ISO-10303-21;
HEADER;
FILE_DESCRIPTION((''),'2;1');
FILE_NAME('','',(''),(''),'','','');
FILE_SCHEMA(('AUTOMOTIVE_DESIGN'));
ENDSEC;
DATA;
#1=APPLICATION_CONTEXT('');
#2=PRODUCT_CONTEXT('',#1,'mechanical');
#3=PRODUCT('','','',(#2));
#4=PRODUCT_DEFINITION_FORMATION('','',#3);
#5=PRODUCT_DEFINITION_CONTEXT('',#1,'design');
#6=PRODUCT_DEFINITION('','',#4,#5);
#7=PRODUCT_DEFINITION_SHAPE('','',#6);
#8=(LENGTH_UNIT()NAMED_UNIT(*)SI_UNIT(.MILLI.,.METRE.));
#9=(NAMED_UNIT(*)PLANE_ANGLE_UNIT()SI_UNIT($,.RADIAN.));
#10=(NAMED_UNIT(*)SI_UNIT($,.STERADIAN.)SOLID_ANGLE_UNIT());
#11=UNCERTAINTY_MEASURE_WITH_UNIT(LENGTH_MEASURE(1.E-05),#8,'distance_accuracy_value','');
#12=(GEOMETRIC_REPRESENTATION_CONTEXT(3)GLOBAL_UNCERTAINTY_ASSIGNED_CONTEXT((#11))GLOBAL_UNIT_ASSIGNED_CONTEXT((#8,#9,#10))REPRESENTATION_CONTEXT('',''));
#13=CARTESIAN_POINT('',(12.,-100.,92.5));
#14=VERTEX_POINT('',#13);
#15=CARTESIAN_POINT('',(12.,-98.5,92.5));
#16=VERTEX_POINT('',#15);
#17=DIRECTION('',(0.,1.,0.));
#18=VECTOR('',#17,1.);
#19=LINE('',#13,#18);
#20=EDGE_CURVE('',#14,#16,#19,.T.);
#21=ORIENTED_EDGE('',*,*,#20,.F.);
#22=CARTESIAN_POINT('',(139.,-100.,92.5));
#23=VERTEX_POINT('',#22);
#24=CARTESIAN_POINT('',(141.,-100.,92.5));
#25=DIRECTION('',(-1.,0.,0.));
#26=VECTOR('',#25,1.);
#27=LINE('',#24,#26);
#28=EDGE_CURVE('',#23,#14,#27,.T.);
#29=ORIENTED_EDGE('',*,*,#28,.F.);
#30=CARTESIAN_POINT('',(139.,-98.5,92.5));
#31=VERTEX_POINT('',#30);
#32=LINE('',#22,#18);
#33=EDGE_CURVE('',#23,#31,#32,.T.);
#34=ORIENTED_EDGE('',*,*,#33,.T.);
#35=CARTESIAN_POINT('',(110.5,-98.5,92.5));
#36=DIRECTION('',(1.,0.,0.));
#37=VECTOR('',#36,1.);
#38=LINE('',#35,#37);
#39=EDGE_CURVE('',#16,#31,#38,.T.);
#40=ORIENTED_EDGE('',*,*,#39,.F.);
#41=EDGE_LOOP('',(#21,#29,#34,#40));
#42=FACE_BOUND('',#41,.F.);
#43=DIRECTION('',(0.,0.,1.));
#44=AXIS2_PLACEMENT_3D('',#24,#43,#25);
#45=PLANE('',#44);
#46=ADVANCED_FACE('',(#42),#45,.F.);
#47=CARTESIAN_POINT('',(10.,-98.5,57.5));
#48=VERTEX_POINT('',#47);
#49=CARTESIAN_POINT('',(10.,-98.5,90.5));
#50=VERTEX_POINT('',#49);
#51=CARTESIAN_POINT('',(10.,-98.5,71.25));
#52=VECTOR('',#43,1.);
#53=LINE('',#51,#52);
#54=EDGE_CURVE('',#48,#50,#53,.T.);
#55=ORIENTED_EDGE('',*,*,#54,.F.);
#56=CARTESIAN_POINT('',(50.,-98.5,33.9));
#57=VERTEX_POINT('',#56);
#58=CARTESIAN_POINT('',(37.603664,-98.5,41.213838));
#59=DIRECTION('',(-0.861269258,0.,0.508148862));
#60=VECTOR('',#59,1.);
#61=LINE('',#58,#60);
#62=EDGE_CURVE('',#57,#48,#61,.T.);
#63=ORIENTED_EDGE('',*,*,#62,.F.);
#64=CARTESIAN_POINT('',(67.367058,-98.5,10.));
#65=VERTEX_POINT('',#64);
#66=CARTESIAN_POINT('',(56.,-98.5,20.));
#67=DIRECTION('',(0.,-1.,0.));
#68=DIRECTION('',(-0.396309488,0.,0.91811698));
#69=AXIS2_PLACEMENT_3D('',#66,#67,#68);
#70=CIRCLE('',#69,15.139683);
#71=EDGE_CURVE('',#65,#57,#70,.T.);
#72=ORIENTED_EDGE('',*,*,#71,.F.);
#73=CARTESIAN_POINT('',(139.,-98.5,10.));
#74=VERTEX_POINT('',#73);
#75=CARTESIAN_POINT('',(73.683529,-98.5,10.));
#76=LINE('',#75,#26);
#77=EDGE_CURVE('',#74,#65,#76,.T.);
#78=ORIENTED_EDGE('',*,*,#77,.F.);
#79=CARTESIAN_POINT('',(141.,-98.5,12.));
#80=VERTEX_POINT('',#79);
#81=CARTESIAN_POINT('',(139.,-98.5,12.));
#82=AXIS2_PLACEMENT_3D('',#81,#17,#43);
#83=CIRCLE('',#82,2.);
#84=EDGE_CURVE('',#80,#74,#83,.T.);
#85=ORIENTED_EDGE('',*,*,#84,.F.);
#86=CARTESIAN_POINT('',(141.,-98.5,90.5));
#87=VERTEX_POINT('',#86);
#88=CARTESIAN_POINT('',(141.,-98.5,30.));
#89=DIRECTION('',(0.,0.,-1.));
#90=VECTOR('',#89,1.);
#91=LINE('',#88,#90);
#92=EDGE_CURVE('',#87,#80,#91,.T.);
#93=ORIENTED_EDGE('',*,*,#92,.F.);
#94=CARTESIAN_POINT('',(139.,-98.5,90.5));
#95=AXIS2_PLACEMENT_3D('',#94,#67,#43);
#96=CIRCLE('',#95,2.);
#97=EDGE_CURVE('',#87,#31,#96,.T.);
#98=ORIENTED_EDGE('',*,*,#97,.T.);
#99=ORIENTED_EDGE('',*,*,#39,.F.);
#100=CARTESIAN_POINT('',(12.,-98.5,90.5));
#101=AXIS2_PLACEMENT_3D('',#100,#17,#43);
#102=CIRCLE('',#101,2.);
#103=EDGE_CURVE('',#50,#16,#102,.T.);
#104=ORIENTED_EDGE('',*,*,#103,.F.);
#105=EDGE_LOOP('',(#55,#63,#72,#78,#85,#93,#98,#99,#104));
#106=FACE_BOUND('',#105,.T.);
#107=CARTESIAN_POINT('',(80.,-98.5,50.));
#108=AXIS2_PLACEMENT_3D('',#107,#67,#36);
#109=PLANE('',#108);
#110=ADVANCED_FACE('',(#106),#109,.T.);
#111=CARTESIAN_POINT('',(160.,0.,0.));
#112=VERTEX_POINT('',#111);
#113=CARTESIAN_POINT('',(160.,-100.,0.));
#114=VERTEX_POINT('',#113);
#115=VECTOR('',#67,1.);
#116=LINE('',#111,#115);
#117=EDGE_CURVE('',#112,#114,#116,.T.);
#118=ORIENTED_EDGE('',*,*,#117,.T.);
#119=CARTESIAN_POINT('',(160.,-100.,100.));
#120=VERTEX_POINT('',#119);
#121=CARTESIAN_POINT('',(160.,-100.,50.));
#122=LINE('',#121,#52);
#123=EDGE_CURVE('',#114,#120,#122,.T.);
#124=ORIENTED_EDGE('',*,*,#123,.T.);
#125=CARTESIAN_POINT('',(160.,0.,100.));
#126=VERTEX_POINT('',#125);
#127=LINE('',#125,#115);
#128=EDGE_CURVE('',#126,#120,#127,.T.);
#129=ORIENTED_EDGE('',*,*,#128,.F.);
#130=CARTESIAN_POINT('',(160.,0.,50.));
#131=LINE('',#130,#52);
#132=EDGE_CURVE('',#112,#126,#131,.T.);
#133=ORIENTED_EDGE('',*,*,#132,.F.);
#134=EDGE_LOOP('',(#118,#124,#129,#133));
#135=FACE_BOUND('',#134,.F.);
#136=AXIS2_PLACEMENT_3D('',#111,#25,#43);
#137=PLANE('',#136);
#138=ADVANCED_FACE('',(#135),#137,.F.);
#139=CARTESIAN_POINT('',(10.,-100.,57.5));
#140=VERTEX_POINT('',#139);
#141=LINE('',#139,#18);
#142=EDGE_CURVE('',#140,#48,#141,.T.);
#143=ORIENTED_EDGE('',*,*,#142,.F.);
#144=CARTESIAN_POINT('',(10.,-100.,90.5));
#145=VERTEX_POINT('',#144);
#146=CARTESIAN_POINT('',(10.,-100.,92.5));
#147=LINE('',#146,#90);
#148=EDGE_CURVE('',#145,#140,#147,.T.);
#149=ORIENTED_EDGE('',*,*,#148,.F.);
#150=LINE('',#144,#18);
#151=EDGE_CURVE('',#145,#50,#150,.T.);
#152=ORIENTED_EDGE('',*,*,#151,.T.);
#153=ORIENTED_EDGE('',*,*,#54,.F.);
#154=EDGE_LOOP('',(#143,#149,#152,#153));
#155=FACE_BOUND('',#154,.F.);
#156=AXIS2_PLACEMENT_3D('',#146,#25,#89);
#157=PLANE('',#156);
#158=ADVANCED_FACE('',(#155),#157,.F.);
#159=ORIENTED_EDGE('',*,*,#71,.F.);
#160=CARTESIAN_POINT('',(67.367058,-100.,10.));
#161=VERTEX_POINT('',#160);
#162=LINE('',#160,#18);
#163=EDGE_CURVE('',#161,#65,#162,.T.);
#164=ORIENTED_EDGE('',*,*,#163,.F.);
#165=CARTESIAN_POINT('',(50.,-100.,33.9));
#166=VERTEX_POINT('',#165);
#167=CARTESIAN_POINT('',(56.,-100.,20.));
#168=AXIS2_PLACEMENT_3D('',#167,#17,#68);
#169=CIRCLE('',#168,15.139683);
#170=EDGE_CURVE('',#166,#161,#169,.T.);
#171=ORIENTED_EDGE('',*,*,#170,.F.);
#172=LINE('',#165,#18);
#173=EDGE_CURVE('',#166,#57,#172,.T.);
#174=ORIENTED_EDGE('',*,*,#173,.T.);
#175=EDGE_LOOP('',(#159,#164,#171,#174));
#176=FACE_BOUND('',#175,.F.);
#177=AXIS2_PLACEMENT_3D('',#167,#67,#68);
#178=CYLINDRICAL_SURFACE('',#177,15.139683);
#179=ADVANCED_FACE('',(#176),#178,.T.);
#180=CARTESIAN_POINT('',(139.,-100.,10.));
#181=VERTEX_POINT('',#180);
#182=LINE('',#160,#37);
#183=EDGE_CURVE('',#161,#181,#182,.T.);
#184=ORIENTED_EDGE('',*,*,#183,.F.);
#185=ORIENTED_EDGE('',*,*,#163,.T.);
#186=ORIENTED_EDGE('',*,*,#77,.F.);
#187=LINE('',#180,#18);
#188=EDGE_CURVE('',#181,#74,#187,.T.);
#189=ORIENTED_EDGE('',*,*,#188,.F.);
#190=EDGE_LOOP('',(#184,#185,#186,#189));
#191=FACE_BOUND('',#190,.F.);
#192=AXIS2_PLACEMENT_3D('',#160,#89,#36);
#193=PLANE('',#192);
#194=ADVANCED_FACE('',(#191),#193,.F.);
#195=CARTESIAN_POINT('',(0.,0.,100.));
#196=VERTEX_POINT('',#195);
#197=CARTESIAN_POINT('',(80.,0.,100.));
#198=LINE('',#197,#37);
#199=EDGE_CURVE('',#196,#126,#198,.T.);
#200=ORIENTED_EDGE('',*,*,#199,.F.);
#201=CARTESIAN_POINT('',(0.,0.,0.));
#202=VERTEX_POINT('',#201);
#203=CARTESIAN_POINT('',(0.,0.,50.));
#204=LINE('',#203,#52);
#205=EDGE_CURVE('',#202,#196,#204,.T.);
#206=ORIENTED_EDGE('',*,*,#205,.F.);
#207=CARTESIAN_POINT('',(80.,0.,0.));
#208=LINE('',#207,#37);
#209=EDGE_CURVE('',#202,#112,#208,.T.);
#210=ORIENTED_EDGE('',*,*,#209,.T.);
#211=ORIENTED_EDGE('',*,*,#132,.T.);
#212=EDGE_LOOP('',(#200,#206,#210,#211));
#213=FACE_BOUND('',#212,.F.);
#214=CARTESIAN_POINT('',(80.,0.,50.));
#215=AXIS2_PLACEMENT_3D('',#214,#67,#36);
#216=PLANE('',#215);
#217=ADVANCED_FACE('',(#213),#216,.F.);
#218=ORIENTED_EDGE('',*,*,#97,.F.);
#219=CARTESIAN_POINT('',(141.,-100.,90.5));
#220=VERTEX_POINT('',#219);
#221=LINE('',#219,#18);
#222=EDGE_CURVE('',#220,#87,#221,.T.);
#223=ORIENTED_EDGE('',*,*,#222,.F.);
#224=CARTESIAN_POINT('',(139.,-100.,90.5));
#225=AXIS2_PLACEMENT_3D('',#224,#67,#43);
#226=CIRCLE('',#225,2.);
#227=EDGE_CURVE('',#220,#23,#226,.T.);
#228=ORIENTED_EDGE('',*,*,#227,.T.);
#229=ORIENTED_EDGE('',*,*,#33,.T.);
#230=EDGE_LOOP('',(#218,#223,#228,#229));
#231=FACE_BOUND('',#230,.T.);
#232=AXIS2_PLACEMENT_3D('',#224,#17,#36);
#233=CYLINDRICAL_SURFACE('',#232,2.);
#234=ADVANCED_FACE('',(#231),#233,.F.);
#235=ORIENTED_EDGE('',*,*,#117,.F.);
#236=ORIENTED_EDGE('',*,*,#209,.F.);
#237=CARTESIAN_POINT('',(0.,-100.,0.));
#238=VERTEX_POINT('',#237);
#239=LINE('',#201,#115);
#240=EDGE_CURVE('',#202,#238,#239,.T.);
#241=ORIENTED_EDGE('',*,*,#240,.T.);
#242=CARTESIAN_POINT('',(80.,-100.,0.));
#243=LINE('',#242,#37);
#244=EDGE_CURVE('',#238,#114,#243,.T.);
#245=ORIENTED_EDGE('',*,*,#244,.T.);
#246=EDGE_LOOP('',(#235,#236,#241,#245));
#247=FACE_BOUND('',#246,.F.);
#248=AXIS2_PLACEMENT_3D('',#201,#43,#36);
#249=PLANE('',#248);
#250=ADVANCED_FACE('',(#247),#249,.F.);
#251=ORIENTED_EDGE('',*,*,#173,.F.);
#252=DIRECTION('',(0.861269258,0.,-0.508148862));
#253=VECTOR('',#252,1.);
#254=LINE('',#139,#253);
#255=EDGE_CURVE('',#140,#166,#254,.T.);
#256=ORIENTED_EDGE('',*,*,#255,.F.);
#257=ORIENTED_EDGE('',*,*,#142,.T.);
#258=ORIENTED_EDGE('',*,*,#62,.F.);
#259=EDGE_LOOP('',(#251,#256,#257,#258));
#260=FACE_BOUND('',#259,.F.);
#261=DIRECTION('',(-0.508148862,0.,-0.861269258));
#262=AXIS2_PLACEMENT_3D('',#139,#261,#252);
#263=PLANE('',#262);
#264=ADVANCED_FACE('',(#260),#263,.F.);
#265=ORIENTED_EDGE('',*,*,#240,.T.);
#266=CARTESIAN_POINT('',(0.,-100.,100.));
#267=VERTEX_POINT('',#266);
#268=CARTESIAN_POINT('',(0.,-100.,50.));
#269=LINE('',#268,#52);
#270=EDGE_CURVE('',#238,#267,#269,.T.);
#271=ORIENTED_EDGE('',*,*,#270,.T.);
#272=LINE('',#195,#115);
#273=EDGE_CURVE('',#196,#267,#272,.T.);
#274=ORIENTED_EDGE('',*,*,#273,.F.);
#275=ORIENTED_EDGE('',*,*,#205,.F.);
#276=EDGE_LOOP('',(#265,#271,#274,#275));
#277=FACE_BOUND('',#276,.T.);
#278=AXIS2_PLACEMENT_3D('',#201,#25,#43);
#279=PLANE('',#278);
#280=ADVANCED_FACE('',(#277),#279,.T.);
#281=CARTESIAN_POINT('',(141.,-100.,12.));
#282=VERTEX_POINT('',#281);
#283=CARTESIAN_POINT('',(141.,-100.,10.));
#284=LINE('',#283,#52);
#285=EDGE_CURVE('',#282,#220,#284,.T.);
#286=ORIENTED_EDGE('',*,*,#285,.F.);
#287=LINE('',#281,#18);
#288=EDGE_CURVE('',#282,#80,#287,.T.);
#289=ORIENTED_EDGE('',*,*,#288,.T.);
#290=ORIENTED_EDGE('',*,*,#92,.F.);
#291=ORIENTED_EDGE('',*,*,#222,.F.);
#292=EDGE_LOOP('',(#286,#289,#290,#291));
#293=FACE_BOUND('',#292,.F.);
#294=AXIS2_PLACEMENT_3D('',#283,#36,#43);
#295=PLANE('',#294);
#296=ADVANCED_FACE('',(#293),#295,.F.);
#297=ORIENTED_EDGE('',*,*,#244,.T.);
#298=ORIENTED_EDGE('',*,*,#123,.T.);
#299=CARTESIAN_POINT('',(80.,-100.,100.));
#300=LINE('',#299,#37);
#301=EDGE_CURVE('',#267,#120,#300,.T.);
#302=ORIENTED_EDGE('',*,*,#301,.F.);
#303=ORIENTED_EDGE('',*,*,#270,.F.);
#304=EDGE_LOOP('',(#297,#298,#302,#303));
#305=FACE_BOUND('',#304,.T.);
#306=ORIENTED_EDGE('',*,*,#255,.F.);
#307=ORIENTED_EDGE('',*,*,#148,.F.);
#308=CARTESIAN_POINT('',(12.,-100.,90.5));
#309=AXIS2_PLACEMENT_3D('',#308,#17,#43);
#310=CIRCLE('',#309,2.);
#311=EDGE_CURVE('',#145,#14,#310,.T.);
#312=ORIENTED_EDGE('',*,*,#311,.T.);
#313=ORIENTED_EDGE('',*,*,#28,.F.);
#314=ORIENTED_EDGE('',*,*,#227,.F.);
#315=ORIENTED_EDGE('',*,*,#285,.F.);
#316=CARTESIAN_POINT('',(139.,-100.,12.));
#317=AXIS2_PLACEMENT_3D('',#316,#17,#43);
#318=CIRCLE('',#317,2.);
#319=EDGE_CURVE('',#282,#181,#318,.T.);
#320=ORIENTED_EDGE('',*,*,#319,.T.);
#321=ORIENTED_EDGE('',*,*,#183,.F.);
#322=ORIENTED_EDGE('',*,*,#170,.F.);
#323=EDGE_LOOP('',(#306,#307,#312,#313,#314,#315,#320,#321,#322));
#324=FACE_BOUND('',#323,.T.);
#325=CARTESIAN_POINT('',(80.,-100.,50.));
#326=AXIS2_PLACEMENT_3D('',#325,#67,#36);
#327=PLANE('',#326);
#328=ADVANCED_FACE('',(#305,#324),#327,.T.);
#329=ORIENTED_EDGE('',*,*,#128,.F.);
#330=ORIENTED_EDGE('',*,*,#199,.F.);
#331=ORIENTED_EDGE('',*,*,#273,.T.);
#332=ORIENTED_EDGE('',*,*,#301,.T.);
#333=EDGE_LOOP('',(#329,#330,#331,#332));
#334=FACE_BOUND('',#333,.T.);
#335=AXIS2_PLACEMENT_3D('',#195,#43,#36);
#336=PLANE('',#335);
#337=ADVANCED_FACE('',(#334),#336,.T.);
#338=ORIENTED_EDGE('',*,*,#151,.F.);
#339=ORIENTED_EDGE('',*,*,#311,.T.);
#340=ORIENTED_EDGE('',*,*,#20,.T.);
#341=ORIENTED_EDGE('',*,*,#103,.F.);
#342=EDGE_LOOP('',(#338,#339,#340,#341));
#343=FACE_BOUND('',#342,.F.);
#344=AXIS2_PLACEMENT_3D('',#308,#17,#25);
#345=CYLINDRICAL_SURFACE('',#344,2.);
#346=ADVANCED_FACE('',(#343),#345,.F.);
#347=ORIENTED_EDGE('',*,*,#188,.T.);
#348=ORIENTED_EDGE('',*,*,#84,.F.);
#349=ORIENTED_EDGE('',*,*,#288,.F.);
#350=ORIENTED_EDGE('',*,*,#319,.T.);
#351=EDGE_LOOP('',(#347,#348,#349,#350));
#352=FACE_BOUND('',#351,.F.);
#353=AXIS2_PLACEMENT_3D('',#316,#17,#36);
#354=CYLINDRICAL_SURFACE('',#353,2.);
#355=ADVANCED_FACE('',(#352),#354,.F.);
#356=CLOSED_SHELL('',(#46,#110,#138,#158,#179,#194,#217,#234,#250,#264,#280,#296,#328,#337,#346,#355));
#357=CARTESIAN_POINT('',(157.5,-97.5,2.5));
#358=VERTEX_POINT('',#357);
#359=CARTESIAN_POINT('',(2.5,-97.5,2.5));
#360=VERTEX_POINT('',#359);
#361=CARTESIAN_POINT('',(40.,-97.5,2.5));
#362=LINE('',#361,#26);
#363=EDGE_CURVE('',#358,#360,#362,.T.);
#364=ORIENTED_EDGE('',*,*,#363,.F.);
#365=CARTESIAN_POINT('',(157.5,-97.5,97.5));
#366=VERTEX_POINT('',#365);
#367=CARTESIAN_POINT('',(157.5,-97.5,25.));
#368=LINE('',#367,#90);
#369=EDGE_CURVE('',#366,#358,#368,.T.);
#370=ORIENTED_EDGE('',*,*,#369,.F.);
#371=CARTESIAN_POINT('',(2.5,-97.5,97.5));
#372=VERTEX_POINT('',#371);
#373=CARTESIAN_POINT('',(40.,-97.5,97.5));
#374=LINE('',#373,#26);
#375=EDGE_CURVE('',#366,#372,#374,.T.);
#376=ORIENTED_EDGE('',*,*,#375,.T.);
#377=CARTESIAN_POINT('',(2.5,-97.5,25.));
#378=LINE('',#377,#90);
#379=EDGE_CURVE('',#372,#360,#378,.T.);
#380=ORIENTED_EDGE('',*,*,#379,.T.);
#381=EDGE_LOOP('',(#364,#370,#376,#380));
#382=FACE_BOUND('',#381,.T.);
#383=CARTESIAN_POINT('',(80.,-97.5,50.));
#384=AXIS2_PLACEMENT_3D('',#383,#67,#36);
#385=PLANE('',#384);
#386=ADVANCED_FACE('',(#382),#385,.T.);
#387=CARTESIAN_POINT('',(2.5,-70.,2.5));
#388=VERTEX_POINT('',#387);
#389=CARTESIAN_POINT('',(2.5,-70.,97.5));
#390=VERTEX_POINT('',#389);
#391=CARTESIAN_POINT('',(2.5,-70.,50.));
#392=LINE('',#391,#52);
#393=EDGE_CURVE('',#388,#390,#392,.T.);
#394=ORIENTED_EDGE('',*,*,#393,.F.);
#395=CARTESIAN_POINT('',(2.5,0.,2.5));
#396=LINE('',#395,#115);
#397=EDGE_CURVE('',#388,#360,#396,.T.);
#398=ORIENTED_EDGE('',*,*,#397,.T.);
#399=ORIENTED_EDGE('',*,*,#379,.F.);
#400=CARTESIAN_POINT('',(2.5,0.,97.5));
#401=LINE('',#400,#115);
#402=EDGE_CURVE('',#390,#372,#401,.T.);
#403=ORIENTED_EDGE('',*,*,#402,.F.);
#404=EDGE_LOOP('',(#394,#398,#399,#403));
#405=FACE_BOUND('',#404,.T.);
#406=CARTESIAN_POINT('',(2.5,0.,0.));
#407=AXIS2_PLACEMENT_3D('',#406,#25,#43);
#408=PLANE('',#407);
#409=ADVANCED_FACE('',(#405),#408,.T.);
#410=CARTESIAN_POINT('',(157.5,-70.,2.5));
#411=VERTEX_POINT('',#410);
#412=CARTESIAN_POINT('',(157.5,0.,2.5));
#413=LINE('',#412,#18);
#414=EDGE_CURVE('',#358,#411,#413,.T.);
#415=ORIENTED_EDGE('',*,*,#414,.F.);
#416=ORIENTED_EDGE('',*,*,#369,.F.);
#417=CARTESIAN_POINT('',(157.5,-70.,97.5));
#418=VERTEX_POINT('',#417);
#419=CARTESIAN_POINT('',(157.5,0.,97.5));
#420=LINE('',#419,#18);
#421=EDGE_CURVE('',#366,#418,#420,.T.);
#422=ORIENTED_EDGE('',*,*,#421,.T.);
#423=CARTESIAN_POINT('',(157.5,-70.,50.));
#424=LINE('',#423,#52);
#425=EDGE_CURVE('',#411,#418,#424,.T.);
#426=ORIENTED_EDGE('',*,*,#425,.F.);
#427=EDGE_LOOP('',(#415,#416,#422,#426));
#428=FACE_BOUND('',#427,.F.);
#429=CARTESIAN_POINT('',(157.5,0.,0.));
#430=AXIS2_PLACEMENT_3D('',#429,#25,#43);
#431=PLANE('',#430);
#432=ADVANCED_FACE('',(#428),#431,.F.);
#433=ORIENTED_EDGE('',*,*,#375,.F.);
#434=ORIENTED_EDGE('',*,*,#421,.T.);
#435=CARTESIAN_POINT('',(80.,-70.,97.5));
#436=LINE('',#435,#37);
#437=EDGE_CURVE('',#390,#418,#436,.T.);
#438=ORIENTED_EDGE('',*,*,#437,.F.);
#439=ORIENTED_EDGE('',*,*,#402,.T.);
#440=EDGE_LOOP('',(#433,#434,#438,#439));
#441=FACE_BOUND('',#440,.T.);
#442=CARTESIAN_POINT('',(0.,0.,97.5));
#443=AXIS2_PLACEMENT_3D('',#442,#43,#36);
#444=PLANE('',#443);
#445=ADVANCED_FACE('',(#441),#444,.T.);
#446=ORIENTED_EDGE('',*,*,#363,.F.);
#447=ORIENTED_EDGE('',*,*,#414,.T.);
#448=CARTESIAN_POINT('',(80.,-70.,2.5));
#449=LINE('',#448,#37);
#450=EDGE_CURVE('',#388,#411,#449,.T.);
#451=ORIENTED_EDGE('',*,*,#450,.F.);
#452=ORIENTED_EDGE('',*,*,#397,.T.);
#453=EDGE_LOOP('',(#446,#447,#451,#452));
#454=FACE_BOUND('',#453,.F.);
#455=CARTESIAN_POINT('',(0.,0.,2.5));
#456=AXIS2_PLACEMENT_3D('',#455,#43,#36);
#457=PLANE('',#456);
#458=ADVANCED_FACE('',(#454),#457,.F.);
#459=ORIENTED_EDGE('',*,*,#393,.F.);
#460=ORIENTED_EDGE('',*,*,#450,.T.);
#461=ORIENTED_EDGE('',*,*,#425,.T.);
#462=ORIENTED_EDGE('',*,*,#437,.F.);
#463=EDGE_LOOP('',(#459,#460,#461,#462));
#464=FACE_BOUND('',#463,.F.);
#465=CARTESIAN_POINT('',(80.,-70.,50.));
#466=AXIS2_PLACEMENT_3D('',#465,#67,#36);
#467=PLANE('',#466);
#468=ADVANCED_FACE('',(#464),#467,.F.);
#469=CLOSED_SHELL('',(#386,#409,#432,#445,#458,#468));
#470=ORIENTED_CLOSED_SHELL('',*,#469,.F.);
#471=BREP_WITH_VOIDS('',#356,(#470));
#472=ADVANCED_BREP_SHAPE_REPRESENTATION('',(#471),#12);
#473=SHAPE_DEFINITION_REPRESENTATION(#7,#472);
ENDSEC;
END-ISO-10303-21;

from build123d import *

# Parameters (mm, degrees)
F0_W     = 160
F0_H     = 100
F1_DEPTH = 100
F3_DEPTH = 50
F4_T     = -2.5
F5_W     = 155
F5_H     = 95
F6_DEPTH = 67.5
F8_W     = 150
F8_H     = 90
F9_DEPTH = 1
F10_R    = 2


with BuildPart() as f1:
    # F0 (on Front) → F1 (new body)
    with BuildSketch(Plane.XZ):
        with Locations((80, 50)):
            Rectangle(F0_W, F0_H)
    extrude(amount=F1_DEPTH)

    # F2 (on face) → F3 (cut)
    with BuildSketch(Plane.XZ.offset(100)):
        with BuildLine():
            Line((141, 10), (141, 50))
            Line((141, 50), (141, 92.5))
            Line((141, 92.5), (10, 92.5))
            Line((10, 92.5), (10, 57.5))
            Line((10, 57.5), (50, 33.9))
            ThreePointArc((50, 33.9), (68.2476049495, 28.8997849974), (67.3670576668, 10))
            Line((67.3670576668, 10), (80, 10))
            Line((80, 10), (141, 10))
        make_face()
    extrude(amount=-F3_DEPTH, mode=Mode.SUBTRACT)

    # F4
    f4_openings = [f1.faces().sort_by_distance(p)[0] for p in [
        (10, -75, 75),
        (30, -75, 45.7),
        (68.247605, -75, 28.899785),
        (104.183529, -75, 10),
        (141, -75, 51.25),
        (83.977871, -50, 56.442025),
        (75.5, -75, 92.5),
    ]]
    offset(amount=F4_T, openings=f4_openings)

    # F5 (on face) → F6 (join)
    with BuildSketch(Plane.XZ.offset(2.5)):
        with Locations((80, 50)):
            Rectangle(F5_W, F5_H)
    extrude(amount=F6_DEPTH)

    # F8 (on offset) → F9 (join)
    with BuildSketch(Plane.XZ.offset(97.5)):
        with Locations((80, 50)):
            Rectangle(F8_W, F8_H)
    extrude(amount=F9_DEPTH)

    # F10
    f10_edges = [f1.edges().sort_by_distance(p)[0] for p in [
        (10, -99.25, 92.5),
        (141, -99.25, 92.5),
        (141, -99.25, 10),
    ]]
    fillet(f10_edges, radius=F10_R)


solid = f1.part
